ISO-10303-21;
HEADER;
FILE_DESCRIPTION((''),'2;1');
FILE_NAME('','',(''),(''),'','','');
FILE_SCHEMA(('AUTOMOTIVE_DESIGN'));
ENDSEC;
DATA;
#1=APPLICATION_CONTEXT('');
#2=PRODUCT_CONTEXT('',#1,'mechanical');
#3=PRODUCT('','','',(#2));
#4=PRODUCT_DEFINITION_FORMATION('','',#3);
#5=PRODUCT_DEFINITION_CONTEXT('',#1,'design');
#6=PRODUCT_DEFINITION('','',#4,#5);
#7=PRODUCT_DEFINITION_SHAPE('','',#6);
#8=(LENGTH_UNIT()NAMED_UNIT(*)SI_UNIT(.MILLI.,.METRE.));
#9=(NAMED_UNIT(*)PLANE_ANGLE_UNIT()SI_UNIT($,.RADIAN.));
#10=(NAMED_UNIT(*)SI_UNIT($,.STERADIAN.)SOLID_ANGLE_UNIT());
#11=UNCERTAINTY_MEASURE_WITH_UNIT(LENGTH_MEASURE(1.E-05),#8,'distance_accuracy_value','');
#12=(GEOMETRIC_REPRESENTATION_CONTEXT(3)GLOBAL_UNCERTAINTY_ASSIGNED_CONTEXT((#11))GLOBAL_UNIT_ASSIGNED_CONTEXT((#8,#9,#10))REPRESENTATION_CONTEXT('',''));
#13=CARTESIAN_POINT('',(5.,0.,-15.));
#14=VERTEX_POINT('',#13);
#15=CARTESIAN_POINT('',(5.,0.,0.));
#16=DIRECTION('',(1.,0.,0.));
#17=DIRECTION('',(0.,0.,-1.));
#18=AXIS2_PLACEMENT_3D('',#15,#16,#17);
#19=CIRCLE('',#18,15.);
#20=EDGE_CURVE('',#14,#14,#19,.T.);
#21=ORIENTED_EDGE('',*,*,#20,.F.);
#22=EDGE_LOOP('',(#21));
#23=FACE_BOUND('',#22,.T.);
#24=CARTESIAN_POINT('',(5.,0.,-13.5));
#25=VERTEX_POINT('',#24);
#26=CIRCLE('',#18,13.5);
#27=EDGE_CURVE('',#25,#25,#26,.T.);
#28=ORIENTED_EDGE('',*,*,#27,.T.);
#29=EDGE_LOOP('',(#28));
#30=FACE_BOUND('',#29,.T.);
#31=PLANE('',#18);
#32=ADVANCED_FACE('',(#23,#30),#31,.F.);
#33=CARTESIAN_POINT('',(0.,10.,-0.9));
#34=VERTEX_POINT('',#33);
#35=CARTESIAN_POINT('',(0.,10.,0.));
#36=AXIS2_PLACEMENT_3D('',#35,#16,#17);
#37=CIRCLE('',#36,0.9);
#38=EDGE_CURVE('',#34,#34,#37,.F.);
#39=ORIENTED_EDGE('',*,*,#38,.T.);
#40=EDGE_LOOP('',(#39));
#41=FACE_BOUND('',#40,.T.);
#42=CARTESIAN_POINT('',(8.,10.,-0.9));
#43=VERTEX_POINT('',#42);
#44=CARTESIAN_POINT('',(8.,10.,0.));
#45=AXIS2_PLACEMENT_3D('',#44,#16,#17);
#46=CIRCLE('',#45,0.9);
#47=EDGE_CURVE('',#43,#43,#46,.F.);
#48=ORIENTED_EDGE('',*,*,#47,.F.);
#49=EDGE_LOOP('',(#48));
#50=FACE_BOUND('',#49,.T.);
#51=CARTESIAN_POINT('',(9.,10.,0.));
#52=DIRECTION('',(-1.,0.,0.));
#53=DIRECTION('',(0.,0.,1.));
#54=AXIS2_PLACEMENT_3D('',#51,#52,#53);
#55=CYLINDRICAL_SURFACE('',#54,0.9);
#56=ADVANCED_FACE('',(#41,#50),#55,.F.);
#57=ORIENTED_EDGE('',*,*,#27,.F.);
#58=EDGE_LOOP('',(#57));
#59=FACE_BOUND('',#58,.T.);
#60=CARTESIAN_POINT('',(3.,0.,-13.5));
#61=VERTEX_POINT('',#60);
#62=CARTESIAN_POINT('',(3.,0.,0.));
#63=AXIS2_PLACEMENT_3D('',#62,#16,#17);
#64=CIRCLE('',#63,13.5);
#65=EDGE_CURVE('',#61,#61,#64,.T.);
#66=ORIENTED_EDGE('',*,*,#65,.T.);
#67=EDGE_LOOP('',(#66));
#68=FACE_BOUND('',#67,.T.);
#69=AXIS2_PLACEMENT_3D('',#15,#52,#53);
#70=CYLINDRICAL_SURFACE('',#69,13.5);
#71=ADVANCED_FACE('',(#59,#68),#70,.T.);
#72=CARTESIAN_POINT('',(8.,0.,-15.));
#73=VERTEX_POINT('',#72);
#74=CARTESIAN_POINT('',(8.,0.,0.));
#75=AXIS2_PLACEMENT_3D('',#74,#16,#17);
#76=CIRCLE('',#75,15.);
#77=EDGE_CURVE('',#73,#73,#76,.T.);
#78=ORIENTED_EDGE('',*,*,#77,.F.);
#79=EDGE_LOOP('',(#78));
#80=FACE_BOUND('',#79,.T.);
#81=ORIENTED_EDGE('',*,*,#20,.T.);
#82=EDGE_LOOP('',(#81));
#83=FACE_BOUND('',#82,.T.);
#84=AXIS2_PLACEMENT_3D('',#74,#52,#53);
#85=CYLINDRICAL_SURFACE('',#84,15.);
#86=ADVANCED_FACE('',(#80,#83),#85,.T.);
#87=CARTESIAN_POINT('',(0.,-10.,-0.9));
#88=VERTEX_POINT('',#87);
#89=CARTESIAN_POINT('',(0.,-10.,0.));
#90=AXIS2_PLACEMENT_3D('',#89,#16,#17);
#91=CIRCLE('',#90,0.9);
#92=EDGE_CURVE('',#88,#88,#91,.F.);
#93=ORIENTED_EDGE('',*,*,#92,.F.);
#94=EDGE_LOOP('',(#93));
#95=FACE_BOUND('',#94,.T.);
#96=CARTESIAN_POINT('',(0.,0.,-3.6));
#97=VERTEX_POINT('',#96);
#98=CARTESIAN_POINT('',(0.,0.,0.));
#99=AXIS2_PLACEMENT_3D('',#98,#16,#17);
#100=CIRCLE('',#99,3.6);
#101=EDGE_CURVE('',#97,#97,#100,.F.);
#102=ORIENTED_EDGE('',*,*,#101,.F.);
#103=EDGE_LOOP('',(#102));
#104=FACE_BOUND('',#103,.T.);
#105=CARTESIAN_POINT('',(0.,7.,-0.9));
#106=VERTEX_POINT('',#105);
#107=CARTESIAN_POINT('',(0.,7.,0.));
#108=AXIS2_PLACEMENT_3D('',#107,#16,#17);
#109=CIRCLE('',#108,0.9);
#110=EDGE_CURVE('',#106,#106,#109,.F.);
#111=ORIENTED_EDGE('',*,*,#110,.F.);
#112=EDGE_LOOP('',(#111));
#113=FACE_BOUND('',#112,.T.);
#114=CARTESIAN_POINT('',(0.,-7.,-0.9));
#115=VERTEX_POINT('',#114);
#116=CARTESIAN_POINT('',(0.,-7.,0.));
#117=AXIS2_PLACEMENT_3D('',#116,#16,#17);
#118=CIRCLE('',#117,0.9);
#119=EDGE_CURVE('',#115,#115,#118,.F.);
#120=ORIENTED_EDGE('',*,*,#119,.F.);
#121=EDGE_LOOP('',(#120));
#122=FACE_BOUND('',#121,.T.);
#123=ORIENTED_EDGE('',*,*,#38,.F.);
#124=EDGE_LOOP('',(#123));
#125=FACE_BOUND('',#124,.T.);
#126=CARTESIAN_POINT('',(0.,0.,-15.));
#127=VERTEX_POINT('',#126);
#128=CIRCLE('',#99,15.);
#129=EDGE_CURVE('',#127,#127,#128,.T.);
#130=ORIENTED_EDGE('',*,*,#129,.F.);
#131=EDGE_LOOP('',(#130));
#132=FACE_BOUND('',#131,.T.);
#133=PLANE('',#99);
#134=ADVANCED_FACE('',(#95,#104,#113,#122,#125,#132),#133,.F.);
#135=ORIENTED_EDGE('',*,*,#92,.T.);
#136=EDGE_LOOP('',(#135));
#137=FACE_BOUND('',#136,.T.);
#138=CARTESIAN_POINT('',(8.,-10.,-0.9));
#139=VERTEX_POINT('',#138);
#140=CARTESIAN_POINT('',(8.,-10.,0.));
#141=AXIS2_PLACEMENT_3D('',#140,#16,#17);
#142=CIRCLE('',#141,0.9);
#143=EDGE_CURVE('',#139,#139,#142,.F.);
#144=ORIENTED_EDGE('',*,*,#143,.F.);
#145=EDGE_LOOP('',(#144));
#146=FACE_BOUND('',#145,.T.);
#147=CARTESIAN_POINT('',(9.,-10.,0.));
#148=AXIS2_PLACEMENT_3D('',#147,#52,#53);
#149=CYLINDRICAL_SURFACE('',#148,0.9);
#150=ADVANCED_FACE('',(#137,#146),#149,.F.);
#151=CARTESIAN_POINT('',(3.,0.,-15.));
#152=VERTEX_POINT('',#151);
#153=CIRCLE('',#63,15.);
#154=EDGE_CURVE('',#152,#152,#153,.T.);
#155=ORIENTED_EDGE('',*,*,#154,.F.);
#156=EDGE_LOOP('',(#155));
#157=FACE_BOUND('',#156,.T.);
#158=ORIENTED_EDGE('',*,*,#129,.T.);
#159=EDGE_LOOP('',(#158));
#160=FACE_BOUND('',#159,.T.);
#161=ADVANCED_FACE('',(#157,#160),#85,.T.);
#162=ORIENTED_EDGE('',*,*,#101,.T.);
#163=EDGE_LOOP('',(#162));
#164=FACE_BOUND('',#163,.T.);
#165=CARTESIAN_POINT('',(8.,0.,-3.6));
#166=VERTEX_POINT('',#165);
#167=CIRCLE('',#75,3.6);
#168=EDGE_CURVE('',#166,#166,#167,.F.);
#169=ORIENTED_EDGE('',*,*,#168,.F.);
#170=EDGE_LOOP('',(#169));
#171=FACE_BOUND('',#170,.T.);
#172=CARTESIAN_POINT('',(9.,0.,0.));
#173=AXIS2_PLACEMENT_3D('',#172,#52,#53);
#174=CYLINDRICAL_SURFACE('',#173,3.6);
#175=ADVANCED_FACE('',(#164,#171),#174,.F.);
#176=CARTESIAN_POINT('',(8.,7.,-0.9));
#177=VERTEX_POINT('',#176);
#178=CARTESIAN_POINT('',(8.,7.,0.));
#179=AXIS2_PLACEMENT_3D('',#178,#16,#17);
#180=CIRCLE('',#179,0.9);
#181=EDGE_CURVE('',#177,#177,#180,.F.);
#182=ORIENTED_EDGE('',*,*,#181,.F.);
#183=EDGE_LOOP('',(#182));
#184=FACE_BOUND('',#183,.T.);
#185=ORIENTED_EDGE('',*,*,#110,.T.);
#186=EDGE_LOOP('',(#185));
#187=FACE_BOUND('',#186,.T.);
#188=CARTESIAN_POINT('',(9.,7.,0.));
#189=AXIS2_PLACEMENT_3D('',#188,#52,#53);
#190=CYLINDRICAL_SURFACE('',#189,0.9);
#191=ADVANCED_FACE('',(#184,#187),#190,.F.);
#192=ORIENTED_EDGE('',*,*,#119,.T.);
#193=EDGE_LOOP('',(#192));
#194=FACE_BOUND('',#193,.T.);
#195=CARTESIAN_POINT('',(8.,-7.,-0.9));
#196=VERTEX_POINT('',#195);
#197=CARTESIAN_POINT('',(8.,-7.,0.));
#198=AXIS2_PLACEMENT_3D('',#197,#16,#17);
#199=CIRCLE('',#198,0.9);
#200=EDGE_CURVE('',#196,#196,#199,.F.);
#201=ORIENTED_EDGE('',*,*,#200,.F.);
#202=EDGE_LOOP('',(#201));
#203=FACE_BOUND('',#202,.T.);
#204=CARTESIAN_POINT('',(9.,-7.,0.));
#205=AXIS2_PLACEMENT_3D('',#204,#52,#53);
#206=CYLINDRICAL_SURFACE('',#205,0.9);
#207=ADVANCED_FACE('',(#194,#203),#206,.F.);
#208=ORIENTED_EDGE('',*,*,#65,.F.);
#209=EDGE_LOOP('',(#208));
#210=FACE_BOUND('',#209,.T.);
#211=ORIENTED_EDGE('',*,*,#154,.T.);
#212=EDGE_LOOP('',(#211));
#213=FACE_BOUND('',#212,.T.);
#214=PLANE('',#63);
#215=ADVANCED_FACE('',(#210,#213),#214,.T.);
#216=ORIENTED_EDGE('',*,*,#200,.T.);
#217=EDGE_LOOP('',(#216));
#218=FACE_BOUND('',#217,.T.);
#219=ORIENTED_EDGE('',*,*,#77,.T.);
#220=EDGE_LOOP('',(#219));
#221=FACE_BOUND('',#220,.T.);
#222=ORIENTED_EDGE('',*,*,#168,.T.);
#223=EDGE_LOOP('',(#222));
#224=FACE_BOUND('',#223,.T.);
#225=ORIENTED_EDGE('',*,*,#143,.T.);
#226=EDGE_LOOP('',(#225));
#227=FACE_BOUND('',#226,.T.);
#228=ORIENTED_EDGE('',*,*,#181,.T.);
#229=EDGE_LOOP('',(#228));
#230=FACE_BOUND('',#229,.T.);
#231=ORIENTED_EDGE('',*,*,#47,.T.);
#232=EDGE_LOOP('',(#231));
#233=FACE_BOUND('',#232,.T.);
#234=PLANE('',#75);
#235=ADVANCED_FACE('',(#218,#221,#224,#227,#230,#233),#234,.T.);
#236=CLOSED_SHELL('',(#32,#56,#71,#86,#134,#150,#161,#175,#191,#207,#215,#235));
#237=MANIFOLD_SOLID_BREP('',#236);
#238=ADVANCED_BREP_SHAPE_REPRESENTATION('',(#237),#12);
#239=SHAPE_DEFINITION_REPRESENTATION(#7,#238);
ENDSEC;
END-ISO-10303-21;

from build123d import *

# Parameters (mm, degrees)
SKETCH1_R           = 15
BOSS_EXTRUDE1_DEPTH = 8
BOSS_EXTRUDE2_START = 3
SKETCH2_R           = 16
BOSS_EXTRUDE2_DEPTH = 2
BOSS_EXTRUDE3_START = 3
SKETCH3_R           = 13.5
BOSS_EXTRUDE3_DEPTH = 2
BOSS_EXTRUDE4_START = -1
SKETCH4_R           = 3.6
BOSS_EXTRUDE4_DEPTH = 10
BOSS_EXTRUDE5_START = -1
SKETCH5_R           = 0.9
BOSS_EXTRUDE5_DEPTH = 10
BOSS_EXTRUDE6_START = -1
SKETCH6_R           = 0.9
BOSS_EXTRUDE6_DEPTH = 10
BOSS_EXTRUDE7_START = -1
SKETCH7_R           = 0.9
BOSS_EXTRUDE7_DEPTH = 10
BOSS_EXTRUDE8_START = -1
SKETCH8_R           = 0.9
BOSS_EXTRUDE8_DEPTH = 10


with BuildPart() as part:
    # Sketch1 → Boss-Extrude1 (new body)
    with BuildSketch(Plane(origin=(0, 0, 0), x_dir=(0, 0, -1), z_dir=(1, 0, 0))):
        Circle(SKETCH1_R)
    extrude(amount=BOSS_EXTRUDE1_DEPTH)


with BuildPart() as body_2:
    # Sketch2 → Boss-Extrude2 (new body)
    with BuildSketch(Plane(origin=(0, 0, 0), x_dir=(0, 0, -1), z_dir=(1, 0, 0)).offset(BOSS_EXTRUDE2_START)):
        Circle(SKETCH2_R)
    extrude(amount=BOSS_EXTRUDE2_DEPTH)


with BuildPart() as part_1:
    add(part.part)

    # Combine1: cut body 2
    add(body_2.part, mode=Mode.SUBTRACT)

    # Sketch3 → Boss-Extrude3 (add)
    with BuildSketch(Plane(origin=(0, 0, 0), x_dir=(0, 0, -1), z_dir=(1, 0, 0)).offset(BOSS_EXTRUDE3_START)):
        Circle(SKETCH3_R)
    extrude(amount=BOSS_EXTRUDE3_DEPTH)


with BuildPart() as body_2_2:
    # Sketch4 → Boss-Extrude4 (new body)
    with BuildSketch(Plane(origin=(0, 0, 0), x_dir=(0, 0, -1), z_dir=(1, 0, 0)).offset(BOSS_EXTRUDE4_START)):
        Circle(SKETCH4_R)
    extrude(amount=BOSS_EXTRUDE4_DEPTH)


with BuildPart() as part_2:
    add(part_1.part)

    # Combine2: cut body 2 2
    add(body_2_2.part, mode=Mode.SUBTRACT)


with BuildPart() as body_2_3:
    # Sketch5 → Boss-Extrude5 (new body)
    with BuildSketch(Plane(origin=(0, 0, 0), x_dir=(0, 0, -1), z_dir=(1, 0, 0)).offset(BOSS_EXTRUDE5_START)):
        with Locations((0, -10)):
            Circle(SKETCH5_R)
    extrude(amount=BOSS_EXTRUDE5_DEPTH)


with BuildPart() as part_3:
    add(part_2.part)

    # Combine3: cut body 2 3
    add(body_2_3.part, mode=Mode.SUBTRACT)


with BuildPart() as body_2_4:
    # Sketch6 → Boss-Extrude6 (new body)
    with BuildSketch(Plane(origin=(0, 0, 0), x_dir=(0, 0, -1), z_dir=(1, 0, 0)).offset(BOSS_EXTRUDE6_START)):
        with Locations((0, -7)):
            Circle(SKETCH6_R)
    extrude(amount=BOSS_EXTRUDE6_DEPTH)


with BuildPart() as part_4:
    add(part_3.part)

    # Combine4: cut body 2 4
    add(body_2_4.part, mode=Mode.SUBTRACT)


with BuildPart() as body_2_5:
    # Sketch7 → Boss-Extrude7 (new body)
    with BuildSketch(Plane(origin=(0, 0, 0), x_dir=(0, 0, -1), z_dir=(1, 0, 0)).offset(BOSS_EXTRUDE7_START)):
        with Locations((0, 7)):
            Circle(SKETCH7_R)
    extrude(amount=BOSS_EXTRUDE7_DEPTH)


with BuildPart() as part_5:
    add(part_4.part)

    # Combine5: cut body 2 5
    add(body_2_5.part, mode=Mode.SUBTRACT)


with BuildPart() as body_2_6:
    # Sketch8 → Boss-Extrude8 (new body)
    with BuildSketch(Plane(origin=(0, 0, 0), x_dir=(0, 0, -1), z_dir=(1, 0, 0)).offset(BOSS_EXTRUDE8_START)):
        with Locations((0, 10)):
            Circle(SKETCH8_R)
    extrude(amount=BOSS_EXTRUDE8_DEPTH)


with BuildPart() as part_6:
    add(part_5.part)

    # Combine6: cut body 2 6
    add(body_2_6.part, mode=Mode.SUBTRACT)


solid = part_6.part
